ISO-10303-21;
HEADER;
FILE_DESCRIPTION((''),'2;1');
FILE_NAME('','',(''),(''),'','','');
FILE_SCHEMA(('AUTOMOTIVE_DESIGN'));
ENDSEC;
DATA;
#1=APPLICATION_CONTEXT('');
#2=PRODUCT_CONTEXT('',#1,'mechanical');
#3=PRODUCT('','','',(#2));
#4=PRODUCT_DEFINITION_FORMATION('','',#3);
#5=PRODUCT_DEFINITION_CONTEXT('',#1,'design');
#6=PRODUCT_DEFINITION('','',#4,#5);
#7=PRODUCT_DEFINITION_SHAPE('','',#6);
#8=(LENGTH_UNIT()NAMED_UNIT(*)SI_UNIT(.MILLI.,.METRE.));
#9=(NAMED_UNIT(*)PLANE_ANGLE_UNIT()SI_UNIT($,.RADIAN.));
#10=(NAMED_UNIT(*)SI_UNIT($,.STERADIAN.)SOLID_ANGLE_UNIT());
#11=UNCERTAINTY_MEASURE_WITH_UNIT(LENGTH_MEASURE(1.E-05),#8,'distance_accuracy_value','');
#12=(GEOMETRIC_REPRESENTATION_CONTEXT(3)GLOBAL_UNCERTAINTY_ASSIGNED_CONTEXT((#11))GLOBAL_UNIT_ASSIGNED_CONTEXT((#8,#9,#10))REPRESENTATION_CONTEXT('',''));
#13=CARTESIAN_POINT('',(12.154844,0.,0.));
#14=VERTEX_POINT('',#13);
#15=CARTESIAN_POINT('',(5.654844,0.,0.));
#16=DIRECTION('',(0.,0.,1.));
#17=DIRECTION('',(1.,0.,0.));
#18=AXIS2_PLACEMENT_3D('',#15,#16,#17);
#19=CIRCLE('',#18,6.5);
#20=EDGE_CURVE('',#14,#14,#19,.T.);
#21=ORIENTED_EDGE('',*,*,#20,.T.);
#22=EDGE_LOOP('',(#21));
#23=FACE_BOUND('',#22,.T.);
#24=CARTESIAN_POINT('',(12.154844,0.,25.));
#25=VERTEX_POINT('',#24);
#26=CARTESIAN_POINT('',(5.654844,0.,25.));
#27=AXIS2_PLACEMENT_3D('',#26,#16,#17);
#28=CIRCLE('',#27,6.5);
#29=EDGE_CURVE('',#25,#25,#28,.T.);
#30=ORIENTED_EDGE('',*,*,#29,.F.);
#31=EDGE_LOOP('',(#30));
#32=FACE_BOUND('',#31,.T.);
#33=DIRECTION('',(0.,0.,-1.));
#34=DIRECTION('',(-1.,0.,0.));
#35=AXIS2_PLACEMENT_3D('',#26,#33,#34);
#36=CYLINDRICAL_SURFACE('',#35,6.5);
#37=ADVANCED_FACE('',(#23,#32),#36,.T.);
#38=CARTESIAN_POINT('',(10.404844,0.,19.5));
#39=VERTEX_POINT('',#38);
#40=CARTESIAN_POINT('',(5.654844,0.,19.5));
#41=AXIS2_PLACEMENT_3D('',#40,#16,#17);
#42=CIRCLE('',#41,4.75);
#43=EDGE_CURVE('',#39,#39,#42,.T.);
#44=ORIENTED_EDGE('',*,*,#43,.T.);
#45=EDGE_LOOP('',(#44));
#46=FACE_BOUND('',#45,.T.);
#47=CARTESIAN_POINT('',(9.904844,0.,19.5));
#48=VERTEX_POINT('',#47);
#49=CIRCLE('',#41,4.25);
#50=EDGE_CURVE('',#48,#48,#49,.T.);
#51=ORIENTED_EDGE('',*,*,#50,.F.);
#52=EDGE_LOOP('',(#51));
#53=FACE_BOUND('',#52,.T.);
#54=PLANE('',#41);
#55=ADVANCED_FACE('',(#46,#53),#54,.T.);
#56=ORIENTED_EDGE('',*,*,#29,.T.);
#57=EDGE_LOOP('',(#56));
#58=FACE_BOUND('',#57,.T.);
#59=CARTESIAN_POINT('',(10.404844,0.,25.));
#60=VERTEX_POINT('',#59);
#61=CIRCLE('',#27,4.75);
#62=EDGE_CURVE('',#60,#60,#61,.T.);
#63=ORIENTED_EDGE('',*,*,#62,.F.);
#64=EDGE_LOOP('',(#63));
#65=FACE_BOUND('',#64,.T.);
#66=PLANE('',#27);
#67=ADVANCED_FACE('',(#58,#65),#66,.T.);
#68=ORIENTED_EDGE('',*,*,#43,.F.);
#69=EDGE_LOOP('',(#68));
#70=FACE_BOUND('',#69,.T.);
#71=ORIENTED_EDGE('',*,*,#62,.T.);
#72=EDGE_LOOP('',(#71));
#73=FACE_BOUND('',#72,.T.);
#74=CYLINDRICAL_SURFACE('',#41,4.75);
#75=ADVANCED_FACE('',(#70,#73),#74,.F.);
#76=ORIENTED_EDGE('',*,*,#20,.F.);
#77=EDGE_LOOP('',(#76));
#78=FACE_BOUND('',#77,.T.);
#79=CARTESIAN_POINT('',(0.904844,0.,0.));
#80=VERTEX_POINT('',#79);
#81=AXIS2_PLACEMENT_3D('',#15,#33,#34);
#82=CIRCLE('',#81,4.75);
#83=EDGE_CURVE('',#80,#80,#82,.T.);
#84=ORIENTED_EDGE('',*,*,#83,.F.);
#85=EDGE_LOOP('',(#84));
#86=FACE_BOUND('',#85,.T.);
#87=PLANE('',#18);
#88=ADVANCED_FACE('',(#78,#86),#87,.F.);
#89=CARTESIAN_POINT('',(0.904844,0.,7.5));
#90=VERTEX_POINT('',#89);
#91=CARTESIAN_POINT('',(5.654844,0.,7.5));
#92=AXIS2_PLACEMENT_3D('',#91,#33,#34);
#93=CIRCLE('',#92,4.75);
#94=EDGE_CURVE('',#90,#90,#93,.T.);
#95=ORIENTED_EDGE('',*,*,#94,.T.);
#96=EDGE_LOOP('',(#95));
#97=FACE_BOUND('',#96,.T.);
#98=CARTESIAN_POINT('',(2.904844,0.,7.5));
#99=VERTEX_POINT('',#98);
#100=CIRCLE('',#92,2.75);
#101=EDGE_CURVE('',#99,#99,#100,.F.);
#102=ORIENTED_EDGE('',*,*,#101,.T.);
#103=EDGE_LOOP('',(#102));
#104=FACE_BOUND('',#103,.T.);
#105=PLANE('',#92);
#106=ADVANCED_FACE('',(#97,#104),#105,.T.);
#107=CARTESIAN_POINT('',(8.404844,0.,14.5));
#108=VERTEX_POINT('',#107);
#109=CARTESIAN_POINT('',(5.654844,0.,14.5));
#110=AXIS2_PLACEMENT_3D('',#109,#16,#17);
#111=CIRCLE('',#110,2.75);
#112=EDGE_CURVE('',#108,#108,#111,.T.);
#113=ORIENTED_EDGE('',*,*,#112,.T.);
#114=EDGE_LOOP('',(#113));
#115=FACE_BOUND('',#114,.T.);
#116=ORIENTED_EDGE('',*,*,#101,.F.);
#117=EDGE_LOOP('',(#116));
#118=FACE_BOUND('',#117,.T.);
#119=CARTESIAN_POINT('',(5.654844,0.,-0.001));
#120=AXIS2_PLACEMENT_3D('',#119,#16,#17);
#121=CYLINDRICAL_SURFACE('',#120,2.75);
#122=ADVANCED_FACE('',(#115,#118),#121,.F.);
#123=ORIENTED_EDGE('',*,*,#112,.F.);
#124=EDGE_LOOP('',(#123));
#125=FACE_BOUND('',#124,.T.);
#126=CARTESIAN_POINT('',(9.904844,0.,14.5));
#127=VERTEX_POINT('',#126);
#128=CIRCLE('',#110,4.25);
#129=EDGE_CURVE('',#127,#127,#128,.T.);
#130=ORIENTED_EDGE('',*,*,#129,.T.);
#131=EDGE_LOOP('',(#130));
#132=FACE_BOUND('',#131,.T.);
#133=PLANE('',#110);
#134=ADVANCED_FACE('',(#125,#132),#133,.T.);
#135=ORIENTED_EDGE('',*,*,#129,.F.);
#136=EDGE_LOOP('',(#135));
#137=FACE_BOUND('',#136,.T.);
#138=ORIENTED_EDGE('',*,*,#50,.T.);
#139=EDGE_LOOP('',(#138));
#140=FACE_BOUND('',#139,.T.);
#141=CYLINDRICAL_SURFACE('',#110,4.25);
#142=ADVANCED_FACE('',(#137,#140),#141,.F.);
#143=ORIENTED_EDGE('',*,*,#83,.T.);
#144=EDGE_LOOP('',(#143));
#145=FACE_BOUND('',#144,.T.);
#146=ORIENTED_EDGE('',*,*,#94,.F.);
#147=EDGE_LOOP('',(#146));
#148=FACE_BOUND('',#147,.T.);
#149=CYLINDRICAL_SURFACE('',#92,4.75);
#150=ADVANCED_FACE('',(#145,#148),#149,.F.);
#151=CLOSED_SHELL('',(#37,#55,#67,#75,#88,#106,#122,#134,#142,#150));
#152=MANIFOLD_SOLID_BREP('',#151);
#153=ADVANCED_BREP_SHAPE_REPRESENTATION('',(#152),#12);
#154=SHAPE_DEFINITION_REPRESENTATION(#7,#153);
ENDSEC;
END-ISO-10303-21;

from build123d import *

# Parameters (mm, degrees)
SKETCH2_R           = 6.5
BOSS_EXTRUDE1_DEPTH = 25
SKETCH3_R           = 4.75
CUT_EXTRUDE1_DEPTH  = 5.5
SKETCH4_R           = 4.25
CUT_EXTRUDE2_DEPTH  = 5
SKETCH6_R           = 4.75
CUT_EXTRUDE3_DEPTH  = 7.5
CUT_EXTRUDE4_REACH  = 16.5
SKETCH7_R           = 2.75


with BuildPart() as part:
    # Sketch2 → Boss-Extrude1 (new body)
    with BuildSketch(Plane.XY):
        with Locations((5.654843538, 0)):
            Circle(SKETCH2_R)
    extrude(amount=BOSS_EXTRUDE1_DEPTH)

    # Sketch3 → Cut-Extrude1 (cut)
    with BuildSketch(Plane.XY.offset(25)):
        with Locations((5.654843538, 0)):
            Circle(SKETCH3_R)
    extrude(amount=-CUT_EXTRUDE1_DEPTH, mode=Mode.SUBTRACT)

    # Sketch4 → Cut-Extrude2 (cut)
    with BuildSketch(Plane.XY.offset(19.5)):
        with Locations((5.654843538, 0)):
            Circle(SKETCH4_R)
    extrude(amount=-CUT_EXTRUDE2_DEPTH, mode=Mode.SUBTRACT)

    # Sketch6 → Cut-Extrude3 (cut)
    with BuildSketch(Plane(origin=(0, 0, 0), x_dir=(-1, 0, 0), z_dir=(0, 0, -1))):
        with Locations((-5.654843538, 0)):
            Circle(SKETCH6_R)
    extrude(amount=-CUT_EXTRUDE3_DEPTH, mode=Mode.SUBTRACT)

    # Sketch7 → Cut-Extrude4 (cut, up to next)
    with BuildSketch(Plane.XY.offset(14.5), mode=Mode.PRIVATE) as cut_extrude4_sk1:
        with Locations((5.654843538, 0)):
            Circle(SKETCH7_R)
    cut_extrude4_tool1 = extrude(cut_extrude4_sk1.sketch, amount=-CUT_EXTRUDE4_REACH, mode=Mode.PRIVATE) & part.part
    add(cut_extrude4_tool1.solids().sort_by_distance((5.654844, 0, 14.5))[0], mode=Mode.SUBTRACT)


solid = part.part
